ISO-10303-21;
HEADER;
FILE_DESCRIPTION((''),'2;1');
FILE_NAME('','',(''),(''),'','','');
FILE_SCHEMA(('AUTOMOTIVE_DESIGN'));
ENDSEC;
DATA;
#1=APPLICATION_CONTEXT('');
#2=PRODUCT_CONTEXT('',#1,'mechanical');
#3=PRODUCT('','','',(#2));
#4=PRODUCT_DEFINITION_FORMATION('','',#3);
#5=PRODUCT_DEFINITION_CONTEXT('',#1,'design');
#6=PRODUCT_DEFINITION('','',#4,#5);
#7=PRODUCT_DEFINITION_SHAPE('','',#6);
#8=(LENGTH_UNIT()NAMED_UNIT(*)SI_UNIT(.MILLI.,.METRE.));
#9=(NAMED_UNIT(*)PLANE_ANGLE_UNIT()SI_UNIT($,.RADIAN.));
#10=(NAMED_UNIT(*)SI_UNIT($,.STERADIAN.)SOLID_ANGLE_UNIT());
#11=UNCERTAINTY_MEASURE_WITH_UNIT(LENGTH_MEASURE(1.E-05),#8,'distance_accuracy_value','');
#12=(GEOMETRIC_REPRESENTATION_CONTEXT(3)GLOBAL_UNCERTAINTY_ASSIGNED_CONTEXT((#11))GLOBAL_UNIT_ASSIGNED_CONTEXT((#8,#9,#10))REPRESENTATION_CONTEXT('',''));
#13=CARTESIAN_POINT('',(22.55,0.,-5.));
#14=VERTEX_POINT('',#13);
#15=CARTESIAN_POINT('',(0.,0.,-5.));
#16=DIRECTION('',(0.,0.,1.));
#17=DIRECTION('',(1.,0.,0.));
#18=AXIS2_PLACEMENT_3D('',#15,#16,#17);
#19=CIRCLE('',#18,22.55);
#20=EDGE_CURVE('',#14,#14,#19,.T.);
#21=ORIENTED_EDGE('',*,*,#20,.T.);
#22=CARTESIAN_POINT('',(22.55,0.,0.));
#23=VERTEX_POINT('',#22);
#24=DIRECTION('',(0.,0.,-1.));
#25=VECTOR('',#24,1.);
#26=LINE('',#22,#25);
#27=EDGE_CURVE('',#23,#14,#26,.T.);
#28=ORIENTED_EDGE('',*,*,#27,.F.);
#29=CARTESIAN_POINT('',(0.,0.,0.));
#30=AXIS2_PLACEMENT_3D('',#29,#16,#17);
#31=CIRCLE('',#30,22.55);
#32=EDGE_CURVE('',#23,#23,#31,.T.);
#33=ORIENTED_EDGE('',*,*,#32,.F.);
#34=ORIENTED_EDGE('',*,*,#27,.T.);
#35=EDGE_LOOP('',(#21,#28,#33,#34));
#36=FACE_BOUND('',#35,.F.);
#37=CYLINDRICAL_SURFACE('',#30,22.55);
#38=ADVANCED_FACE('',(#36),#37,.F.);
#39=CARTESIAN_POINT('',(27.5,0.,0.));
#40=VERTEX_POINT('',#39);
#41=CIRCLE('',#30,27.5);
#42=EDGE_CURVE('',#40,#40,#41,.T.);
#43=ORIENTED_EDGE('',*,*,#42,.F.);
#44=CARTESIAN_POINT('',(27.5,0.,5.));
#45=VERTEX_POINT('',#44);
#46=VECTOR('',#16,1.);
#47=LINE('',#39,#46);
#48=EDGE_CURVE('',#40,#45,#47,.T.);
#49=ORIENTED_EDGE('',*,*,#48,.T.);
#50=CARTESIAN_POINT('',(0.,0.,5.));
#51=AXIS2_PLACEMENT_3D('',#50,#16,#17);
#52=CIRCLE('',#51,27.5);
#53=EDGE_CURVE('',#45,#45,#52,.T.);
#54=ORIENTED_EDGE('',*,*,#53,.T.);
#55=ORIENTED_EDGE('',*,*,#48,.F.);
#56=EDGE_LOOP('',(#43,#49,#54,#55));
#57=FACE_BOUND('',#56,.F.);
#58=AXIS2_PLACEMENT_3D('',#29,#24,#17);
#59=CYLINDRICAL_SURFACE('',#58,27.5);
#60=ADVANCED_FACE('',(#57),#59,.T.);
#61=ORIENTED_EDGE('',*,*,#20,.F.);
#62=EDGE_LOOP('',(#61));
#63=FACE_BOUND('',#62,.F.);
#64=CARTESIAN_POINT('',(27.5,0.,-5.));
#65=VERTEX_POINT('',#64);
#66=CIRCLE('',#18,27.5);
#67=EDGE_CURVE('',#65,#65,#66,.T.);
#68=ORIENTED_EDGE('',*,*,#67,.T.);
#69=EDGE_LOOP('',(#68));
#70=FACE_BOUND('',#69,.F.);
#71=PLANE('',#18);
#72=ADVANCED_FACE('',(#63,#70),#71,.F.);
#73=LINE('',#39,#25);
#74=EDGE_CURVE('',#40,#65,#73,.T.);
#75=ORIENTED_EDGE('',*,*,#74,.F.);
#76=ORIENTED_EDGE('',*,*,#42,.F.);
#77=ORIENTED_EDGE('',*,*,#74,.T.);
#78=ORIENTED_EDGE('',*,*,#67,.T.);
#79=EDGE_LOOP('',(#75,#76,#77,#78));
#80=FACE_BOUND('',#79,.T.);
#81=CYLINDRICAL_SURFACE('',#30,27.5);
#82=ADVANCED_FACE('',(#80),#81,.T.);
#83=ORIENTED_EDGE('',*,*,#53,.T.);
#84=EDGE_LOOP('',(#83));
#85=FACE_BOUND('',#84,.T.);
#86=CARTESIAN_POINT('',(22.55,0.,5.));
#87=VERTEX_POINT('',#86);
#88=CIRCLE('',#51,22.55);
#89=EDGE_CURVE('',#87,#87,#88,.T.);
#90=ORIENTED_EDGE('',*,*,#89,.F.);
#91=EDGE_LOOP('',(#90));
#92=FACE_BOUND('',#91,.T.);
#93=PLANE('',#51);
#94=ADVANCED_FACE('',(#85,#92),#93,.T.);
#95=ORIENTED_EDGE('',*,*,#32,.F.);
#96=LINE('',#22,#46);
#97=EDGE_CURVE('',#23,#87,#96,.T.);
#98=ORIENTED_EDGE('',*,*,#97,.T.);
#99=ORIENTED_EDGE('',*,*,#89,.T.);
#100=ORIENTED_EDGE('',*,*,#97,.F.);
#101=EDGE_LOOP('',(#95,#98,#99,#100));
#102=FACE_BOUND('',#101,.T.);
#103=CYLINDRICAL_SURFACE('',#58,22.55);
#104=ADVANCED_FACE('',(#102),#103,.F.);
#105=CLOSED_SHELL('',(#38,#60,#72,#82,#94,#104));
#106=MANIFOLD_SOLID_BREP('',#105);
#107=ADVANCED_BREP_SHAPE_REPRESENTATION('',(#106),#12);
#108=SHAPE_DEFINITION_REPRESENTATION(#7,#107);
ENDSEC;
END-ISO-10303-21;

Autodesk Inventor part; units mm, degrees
ref_plane "YZ Plane" through (0, 0, 0) normal (1, 0, 0) x (0, 1, 0)
ref_plane "XZ Plane" through (0, 0, 0) normal (0, 1, 0) x (-1, 0, 0)
ref_plane "XY Plane" through (0, 0, 0) normal (0, 0, 1) x (1, 0, 0)
sketch "스케치9" plane through (0, 0, 0) normal (0, 0, 1) x (1, 0, 0)
  circle A0 centre (0, 0) radius 22.55
  circle A1 centre (0, 0) radius 27.5
  dimension "d40" = 45.1
  dimension "d41" = 55
extrude "돌출4" add sketch "스케치9" along normal mid plane 10
properties part number "TL20240701-10110CV-014" material "S45C"
